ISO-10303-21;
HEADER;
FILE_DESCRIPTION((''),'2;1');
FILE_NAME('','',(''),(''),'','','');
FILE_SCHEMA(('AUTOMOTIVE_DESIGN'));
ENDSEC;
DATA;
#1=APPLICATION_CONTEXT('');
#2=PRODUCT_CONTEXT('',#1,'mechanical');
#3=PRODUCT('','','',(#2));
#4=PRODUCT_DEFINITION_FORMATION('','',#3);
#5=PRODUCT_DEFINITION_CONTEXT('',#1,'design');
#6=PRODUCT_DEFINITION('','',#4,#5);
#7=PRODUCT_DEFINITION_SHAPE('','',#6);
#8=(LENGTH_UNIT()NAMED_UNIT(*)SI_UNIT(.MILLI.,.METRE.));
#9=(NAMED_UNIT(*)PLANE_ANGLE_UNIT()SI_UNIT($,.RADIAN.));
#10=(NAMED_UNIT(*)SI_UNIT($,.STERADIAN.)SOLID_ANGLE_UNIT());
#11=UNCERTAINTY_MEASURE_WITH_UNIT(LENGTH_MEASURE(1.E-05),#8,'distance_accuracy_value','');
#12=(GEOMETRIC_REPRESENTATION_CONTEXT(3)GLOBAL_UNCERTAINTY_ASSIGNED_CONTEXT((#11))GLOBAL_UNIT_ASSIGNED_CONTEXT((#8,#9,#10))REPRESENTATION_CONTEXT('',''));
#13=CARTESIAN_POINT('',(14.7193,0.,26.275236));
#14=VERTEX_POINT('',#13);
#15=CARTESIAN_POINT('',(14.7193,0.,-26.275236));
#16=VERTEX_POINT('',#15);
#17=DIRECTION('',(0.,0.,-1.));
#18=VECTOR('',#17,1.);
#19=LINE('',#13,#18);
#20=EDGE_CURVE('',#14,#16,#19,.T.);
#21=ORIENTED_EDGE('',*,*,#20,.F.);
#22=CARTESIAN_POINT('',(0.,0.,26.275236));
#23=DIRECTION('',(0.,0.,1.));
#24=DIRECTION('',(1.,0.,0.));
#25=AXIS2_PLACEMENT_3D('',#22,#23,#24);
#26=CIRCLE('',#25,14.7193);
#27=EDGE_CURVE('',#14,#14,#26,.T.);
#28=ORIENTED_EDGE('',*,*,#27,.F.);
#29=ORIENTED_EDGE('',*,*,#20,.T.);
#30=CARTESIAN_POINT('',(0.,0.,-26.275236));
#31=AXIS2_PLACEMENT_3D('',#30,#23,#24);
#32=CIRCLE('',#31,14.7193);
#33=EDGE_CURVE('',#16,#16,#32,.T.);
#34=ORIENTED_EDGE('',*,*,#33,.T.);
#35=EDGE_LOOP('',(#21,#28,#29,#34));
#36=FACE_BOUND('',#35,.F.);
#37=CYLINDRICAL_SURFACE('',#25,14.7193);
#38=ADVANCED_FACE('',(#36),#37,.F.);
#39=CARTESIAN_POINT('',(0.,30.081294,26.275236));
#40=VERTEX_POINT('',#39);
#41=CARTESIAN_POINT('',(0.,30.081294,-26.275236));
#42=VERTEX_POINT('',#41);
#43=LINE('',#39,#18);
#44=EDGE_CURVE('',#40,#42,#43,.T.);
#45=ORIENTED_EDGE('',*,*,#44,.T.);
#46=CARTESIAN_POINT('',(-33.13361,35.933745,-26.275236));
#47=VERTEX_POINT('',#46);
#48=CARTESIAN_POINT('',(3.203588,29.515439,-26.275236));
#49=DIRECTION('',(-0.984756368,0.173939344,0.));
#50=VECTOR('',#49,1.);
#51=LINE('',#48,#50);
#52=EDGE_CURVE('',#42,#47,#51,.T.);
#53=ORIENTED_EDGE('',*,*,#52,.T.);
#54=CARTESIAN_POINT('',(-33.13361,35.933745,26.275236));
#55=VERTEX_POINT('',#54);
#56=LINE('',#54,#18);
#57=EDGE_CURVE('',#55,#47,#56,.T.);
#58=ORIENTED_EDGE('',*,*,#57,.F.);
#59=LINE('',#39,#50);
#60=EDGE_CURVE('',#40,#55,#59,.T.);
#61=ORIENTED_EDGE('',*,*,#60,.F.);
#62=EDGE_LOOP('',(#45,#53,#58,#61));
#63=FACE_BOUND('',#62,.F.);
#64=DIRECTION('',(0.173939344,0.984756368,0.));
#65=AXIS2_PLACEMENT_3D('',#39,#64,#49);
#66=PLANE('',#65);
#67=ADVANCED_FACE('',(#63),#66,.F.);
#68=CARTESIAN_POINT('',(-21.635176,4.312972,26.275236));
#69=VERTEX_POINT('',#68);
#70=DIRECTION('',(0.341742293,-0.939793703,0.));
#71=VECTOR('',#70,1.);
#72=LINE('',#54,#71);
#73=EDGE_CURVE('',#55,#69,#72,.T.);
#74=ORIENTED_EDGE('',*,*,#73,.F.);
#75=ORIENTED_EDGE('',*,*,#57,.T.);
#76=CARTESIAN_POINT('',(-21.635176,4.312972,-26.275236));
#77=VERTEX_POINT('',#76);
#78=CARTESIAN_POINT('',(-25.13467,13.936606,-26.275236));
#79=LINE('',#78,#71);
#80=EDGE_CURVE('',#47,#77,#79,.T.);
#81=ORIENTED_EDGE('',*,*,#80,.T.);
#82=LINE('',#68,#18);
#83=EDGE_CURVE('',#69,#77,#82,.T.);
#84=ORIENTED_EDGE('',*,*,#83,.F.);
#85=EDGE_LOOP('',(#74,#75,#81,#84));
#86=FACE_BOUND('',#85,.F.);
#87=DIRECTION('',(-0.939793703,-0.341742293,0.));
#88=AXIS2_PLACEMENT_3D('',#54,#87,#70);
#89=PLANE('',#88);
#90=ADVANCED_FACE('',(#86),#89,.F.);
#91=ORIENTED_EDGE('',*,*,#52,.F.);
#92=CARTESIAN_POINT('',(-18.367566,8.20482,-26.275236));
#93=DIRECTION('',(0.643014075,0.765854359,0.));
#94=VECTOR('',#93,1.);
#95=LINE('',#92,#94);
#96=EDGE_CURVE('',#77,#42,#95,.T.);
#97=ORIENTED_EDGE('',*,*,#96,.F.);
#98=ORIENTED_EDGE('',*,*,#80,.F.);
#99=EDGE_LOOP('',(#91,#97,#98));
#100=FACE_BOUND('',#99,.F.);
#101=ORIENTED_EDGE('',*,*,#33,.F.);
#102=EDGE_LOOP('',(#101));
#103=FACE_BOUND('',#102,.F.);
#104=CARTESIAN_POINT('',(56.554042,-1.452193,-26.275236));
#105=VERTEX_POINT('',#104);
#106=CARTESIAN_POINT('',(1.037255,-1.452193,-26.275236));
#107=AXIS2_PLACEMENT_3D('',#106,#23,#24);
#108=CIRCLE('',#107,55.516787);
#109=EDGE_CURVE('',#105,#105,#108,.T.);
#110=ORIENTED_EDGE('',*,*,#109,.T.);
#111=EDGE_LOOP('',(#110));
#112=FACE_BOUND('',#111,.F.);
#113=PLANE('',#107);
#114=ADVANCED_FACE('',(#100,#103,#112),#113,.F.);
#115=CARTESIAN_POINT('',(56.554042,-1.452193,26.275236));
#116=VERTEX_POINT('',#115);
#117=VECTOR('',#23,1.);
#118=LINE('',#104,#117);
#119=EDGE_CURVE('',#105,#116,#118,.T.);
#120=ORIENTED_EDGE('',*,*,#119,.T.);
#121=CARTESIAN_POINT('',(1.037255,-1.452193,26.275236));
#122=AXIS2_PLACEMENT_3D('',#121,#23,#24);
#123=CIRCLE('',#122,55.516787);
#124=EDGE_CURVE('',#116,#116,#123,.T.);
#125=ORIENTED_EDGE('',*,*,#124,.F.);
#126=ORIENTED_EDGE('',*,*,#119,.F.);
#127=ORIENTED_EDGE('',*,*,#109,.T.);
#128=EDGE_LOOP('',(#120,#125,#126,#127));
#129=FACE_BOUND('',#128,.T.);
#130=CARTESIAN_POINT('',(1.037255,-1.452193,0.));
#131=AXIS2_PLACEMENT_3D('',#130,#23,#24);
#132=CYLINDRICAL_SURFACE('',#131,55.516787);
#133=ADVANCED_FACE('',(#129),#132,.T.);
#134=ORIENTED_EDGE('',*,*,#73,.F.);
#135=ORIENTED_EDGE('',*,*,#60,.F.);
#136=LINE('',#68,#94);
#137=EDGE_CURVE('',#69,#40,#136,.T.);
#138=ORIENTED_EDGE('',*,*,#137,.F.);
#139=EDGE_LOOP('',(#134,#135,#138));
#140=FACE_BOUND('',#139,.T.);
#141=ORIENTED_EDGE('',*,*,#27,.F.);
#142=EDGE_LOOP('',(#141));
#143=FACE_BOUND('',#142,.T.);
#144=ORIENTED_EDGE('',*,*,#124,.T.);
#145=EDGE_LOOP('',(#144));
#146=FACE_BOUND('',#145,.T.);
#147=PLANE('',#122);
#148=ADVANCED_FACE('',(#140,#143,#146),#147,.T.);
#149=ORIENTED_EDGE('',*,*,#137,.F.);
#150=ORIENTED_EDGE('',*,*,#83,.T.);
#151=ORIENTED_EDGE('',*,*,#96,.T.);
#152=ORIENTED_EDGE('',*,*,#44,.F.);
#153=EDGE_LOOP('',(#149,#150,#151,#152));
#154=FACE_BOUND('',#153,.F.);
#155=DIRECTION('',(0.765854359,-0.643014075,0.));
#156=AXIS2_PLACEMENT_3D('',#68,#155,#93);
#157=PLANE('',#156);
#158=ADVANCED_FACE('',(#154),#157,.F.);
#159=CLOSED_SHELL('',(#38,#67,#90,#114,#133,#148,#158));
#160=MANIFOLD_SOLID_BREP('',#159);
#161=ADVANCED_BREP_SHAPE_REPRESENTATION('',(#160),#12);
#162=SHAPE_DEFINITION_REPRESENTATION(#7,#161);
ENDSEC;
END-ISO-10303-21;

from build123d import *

# Parameters (mm, degrees)
F0_R     = 55.5167866595
F1_DEPTH = 26.2752361596
F3_DEPTH = 74.1270780563
F4_R     = 14.7193
F5_DEPTH = 121.8407154083


with BuildPart() as f1:
    # F0 (on Top) → F1 (new body, symmetric)
    with BuildSketch(Plane.XY):
        with Locations((1.0372549295, -1.4521926641)):
            Circle(F0_R)
    extrude(amount=F1_DEPTH, both=True)

    # F2 (on face) → F3 (cut)
    with BuildSketch(Plane.XY.offset(26.2752361596)):
        Polygon((-21.6351760827, 4.3129721936), (0, 30.081294477), (-33.1336097517, 35.9337454382), align=None)
    extrude(amount=-F3_DEPTH, mode=Mode.SUBTRACT)

    # F4 (on face) → F5 (cut)
    with BuildSketch(Plane.XY.offset(26.2752361596)):
        Circle(F4_R)
    extrude(amount=-F5_DEPTH, mode=Mode.SUBTRACT)


solid = f1.part
